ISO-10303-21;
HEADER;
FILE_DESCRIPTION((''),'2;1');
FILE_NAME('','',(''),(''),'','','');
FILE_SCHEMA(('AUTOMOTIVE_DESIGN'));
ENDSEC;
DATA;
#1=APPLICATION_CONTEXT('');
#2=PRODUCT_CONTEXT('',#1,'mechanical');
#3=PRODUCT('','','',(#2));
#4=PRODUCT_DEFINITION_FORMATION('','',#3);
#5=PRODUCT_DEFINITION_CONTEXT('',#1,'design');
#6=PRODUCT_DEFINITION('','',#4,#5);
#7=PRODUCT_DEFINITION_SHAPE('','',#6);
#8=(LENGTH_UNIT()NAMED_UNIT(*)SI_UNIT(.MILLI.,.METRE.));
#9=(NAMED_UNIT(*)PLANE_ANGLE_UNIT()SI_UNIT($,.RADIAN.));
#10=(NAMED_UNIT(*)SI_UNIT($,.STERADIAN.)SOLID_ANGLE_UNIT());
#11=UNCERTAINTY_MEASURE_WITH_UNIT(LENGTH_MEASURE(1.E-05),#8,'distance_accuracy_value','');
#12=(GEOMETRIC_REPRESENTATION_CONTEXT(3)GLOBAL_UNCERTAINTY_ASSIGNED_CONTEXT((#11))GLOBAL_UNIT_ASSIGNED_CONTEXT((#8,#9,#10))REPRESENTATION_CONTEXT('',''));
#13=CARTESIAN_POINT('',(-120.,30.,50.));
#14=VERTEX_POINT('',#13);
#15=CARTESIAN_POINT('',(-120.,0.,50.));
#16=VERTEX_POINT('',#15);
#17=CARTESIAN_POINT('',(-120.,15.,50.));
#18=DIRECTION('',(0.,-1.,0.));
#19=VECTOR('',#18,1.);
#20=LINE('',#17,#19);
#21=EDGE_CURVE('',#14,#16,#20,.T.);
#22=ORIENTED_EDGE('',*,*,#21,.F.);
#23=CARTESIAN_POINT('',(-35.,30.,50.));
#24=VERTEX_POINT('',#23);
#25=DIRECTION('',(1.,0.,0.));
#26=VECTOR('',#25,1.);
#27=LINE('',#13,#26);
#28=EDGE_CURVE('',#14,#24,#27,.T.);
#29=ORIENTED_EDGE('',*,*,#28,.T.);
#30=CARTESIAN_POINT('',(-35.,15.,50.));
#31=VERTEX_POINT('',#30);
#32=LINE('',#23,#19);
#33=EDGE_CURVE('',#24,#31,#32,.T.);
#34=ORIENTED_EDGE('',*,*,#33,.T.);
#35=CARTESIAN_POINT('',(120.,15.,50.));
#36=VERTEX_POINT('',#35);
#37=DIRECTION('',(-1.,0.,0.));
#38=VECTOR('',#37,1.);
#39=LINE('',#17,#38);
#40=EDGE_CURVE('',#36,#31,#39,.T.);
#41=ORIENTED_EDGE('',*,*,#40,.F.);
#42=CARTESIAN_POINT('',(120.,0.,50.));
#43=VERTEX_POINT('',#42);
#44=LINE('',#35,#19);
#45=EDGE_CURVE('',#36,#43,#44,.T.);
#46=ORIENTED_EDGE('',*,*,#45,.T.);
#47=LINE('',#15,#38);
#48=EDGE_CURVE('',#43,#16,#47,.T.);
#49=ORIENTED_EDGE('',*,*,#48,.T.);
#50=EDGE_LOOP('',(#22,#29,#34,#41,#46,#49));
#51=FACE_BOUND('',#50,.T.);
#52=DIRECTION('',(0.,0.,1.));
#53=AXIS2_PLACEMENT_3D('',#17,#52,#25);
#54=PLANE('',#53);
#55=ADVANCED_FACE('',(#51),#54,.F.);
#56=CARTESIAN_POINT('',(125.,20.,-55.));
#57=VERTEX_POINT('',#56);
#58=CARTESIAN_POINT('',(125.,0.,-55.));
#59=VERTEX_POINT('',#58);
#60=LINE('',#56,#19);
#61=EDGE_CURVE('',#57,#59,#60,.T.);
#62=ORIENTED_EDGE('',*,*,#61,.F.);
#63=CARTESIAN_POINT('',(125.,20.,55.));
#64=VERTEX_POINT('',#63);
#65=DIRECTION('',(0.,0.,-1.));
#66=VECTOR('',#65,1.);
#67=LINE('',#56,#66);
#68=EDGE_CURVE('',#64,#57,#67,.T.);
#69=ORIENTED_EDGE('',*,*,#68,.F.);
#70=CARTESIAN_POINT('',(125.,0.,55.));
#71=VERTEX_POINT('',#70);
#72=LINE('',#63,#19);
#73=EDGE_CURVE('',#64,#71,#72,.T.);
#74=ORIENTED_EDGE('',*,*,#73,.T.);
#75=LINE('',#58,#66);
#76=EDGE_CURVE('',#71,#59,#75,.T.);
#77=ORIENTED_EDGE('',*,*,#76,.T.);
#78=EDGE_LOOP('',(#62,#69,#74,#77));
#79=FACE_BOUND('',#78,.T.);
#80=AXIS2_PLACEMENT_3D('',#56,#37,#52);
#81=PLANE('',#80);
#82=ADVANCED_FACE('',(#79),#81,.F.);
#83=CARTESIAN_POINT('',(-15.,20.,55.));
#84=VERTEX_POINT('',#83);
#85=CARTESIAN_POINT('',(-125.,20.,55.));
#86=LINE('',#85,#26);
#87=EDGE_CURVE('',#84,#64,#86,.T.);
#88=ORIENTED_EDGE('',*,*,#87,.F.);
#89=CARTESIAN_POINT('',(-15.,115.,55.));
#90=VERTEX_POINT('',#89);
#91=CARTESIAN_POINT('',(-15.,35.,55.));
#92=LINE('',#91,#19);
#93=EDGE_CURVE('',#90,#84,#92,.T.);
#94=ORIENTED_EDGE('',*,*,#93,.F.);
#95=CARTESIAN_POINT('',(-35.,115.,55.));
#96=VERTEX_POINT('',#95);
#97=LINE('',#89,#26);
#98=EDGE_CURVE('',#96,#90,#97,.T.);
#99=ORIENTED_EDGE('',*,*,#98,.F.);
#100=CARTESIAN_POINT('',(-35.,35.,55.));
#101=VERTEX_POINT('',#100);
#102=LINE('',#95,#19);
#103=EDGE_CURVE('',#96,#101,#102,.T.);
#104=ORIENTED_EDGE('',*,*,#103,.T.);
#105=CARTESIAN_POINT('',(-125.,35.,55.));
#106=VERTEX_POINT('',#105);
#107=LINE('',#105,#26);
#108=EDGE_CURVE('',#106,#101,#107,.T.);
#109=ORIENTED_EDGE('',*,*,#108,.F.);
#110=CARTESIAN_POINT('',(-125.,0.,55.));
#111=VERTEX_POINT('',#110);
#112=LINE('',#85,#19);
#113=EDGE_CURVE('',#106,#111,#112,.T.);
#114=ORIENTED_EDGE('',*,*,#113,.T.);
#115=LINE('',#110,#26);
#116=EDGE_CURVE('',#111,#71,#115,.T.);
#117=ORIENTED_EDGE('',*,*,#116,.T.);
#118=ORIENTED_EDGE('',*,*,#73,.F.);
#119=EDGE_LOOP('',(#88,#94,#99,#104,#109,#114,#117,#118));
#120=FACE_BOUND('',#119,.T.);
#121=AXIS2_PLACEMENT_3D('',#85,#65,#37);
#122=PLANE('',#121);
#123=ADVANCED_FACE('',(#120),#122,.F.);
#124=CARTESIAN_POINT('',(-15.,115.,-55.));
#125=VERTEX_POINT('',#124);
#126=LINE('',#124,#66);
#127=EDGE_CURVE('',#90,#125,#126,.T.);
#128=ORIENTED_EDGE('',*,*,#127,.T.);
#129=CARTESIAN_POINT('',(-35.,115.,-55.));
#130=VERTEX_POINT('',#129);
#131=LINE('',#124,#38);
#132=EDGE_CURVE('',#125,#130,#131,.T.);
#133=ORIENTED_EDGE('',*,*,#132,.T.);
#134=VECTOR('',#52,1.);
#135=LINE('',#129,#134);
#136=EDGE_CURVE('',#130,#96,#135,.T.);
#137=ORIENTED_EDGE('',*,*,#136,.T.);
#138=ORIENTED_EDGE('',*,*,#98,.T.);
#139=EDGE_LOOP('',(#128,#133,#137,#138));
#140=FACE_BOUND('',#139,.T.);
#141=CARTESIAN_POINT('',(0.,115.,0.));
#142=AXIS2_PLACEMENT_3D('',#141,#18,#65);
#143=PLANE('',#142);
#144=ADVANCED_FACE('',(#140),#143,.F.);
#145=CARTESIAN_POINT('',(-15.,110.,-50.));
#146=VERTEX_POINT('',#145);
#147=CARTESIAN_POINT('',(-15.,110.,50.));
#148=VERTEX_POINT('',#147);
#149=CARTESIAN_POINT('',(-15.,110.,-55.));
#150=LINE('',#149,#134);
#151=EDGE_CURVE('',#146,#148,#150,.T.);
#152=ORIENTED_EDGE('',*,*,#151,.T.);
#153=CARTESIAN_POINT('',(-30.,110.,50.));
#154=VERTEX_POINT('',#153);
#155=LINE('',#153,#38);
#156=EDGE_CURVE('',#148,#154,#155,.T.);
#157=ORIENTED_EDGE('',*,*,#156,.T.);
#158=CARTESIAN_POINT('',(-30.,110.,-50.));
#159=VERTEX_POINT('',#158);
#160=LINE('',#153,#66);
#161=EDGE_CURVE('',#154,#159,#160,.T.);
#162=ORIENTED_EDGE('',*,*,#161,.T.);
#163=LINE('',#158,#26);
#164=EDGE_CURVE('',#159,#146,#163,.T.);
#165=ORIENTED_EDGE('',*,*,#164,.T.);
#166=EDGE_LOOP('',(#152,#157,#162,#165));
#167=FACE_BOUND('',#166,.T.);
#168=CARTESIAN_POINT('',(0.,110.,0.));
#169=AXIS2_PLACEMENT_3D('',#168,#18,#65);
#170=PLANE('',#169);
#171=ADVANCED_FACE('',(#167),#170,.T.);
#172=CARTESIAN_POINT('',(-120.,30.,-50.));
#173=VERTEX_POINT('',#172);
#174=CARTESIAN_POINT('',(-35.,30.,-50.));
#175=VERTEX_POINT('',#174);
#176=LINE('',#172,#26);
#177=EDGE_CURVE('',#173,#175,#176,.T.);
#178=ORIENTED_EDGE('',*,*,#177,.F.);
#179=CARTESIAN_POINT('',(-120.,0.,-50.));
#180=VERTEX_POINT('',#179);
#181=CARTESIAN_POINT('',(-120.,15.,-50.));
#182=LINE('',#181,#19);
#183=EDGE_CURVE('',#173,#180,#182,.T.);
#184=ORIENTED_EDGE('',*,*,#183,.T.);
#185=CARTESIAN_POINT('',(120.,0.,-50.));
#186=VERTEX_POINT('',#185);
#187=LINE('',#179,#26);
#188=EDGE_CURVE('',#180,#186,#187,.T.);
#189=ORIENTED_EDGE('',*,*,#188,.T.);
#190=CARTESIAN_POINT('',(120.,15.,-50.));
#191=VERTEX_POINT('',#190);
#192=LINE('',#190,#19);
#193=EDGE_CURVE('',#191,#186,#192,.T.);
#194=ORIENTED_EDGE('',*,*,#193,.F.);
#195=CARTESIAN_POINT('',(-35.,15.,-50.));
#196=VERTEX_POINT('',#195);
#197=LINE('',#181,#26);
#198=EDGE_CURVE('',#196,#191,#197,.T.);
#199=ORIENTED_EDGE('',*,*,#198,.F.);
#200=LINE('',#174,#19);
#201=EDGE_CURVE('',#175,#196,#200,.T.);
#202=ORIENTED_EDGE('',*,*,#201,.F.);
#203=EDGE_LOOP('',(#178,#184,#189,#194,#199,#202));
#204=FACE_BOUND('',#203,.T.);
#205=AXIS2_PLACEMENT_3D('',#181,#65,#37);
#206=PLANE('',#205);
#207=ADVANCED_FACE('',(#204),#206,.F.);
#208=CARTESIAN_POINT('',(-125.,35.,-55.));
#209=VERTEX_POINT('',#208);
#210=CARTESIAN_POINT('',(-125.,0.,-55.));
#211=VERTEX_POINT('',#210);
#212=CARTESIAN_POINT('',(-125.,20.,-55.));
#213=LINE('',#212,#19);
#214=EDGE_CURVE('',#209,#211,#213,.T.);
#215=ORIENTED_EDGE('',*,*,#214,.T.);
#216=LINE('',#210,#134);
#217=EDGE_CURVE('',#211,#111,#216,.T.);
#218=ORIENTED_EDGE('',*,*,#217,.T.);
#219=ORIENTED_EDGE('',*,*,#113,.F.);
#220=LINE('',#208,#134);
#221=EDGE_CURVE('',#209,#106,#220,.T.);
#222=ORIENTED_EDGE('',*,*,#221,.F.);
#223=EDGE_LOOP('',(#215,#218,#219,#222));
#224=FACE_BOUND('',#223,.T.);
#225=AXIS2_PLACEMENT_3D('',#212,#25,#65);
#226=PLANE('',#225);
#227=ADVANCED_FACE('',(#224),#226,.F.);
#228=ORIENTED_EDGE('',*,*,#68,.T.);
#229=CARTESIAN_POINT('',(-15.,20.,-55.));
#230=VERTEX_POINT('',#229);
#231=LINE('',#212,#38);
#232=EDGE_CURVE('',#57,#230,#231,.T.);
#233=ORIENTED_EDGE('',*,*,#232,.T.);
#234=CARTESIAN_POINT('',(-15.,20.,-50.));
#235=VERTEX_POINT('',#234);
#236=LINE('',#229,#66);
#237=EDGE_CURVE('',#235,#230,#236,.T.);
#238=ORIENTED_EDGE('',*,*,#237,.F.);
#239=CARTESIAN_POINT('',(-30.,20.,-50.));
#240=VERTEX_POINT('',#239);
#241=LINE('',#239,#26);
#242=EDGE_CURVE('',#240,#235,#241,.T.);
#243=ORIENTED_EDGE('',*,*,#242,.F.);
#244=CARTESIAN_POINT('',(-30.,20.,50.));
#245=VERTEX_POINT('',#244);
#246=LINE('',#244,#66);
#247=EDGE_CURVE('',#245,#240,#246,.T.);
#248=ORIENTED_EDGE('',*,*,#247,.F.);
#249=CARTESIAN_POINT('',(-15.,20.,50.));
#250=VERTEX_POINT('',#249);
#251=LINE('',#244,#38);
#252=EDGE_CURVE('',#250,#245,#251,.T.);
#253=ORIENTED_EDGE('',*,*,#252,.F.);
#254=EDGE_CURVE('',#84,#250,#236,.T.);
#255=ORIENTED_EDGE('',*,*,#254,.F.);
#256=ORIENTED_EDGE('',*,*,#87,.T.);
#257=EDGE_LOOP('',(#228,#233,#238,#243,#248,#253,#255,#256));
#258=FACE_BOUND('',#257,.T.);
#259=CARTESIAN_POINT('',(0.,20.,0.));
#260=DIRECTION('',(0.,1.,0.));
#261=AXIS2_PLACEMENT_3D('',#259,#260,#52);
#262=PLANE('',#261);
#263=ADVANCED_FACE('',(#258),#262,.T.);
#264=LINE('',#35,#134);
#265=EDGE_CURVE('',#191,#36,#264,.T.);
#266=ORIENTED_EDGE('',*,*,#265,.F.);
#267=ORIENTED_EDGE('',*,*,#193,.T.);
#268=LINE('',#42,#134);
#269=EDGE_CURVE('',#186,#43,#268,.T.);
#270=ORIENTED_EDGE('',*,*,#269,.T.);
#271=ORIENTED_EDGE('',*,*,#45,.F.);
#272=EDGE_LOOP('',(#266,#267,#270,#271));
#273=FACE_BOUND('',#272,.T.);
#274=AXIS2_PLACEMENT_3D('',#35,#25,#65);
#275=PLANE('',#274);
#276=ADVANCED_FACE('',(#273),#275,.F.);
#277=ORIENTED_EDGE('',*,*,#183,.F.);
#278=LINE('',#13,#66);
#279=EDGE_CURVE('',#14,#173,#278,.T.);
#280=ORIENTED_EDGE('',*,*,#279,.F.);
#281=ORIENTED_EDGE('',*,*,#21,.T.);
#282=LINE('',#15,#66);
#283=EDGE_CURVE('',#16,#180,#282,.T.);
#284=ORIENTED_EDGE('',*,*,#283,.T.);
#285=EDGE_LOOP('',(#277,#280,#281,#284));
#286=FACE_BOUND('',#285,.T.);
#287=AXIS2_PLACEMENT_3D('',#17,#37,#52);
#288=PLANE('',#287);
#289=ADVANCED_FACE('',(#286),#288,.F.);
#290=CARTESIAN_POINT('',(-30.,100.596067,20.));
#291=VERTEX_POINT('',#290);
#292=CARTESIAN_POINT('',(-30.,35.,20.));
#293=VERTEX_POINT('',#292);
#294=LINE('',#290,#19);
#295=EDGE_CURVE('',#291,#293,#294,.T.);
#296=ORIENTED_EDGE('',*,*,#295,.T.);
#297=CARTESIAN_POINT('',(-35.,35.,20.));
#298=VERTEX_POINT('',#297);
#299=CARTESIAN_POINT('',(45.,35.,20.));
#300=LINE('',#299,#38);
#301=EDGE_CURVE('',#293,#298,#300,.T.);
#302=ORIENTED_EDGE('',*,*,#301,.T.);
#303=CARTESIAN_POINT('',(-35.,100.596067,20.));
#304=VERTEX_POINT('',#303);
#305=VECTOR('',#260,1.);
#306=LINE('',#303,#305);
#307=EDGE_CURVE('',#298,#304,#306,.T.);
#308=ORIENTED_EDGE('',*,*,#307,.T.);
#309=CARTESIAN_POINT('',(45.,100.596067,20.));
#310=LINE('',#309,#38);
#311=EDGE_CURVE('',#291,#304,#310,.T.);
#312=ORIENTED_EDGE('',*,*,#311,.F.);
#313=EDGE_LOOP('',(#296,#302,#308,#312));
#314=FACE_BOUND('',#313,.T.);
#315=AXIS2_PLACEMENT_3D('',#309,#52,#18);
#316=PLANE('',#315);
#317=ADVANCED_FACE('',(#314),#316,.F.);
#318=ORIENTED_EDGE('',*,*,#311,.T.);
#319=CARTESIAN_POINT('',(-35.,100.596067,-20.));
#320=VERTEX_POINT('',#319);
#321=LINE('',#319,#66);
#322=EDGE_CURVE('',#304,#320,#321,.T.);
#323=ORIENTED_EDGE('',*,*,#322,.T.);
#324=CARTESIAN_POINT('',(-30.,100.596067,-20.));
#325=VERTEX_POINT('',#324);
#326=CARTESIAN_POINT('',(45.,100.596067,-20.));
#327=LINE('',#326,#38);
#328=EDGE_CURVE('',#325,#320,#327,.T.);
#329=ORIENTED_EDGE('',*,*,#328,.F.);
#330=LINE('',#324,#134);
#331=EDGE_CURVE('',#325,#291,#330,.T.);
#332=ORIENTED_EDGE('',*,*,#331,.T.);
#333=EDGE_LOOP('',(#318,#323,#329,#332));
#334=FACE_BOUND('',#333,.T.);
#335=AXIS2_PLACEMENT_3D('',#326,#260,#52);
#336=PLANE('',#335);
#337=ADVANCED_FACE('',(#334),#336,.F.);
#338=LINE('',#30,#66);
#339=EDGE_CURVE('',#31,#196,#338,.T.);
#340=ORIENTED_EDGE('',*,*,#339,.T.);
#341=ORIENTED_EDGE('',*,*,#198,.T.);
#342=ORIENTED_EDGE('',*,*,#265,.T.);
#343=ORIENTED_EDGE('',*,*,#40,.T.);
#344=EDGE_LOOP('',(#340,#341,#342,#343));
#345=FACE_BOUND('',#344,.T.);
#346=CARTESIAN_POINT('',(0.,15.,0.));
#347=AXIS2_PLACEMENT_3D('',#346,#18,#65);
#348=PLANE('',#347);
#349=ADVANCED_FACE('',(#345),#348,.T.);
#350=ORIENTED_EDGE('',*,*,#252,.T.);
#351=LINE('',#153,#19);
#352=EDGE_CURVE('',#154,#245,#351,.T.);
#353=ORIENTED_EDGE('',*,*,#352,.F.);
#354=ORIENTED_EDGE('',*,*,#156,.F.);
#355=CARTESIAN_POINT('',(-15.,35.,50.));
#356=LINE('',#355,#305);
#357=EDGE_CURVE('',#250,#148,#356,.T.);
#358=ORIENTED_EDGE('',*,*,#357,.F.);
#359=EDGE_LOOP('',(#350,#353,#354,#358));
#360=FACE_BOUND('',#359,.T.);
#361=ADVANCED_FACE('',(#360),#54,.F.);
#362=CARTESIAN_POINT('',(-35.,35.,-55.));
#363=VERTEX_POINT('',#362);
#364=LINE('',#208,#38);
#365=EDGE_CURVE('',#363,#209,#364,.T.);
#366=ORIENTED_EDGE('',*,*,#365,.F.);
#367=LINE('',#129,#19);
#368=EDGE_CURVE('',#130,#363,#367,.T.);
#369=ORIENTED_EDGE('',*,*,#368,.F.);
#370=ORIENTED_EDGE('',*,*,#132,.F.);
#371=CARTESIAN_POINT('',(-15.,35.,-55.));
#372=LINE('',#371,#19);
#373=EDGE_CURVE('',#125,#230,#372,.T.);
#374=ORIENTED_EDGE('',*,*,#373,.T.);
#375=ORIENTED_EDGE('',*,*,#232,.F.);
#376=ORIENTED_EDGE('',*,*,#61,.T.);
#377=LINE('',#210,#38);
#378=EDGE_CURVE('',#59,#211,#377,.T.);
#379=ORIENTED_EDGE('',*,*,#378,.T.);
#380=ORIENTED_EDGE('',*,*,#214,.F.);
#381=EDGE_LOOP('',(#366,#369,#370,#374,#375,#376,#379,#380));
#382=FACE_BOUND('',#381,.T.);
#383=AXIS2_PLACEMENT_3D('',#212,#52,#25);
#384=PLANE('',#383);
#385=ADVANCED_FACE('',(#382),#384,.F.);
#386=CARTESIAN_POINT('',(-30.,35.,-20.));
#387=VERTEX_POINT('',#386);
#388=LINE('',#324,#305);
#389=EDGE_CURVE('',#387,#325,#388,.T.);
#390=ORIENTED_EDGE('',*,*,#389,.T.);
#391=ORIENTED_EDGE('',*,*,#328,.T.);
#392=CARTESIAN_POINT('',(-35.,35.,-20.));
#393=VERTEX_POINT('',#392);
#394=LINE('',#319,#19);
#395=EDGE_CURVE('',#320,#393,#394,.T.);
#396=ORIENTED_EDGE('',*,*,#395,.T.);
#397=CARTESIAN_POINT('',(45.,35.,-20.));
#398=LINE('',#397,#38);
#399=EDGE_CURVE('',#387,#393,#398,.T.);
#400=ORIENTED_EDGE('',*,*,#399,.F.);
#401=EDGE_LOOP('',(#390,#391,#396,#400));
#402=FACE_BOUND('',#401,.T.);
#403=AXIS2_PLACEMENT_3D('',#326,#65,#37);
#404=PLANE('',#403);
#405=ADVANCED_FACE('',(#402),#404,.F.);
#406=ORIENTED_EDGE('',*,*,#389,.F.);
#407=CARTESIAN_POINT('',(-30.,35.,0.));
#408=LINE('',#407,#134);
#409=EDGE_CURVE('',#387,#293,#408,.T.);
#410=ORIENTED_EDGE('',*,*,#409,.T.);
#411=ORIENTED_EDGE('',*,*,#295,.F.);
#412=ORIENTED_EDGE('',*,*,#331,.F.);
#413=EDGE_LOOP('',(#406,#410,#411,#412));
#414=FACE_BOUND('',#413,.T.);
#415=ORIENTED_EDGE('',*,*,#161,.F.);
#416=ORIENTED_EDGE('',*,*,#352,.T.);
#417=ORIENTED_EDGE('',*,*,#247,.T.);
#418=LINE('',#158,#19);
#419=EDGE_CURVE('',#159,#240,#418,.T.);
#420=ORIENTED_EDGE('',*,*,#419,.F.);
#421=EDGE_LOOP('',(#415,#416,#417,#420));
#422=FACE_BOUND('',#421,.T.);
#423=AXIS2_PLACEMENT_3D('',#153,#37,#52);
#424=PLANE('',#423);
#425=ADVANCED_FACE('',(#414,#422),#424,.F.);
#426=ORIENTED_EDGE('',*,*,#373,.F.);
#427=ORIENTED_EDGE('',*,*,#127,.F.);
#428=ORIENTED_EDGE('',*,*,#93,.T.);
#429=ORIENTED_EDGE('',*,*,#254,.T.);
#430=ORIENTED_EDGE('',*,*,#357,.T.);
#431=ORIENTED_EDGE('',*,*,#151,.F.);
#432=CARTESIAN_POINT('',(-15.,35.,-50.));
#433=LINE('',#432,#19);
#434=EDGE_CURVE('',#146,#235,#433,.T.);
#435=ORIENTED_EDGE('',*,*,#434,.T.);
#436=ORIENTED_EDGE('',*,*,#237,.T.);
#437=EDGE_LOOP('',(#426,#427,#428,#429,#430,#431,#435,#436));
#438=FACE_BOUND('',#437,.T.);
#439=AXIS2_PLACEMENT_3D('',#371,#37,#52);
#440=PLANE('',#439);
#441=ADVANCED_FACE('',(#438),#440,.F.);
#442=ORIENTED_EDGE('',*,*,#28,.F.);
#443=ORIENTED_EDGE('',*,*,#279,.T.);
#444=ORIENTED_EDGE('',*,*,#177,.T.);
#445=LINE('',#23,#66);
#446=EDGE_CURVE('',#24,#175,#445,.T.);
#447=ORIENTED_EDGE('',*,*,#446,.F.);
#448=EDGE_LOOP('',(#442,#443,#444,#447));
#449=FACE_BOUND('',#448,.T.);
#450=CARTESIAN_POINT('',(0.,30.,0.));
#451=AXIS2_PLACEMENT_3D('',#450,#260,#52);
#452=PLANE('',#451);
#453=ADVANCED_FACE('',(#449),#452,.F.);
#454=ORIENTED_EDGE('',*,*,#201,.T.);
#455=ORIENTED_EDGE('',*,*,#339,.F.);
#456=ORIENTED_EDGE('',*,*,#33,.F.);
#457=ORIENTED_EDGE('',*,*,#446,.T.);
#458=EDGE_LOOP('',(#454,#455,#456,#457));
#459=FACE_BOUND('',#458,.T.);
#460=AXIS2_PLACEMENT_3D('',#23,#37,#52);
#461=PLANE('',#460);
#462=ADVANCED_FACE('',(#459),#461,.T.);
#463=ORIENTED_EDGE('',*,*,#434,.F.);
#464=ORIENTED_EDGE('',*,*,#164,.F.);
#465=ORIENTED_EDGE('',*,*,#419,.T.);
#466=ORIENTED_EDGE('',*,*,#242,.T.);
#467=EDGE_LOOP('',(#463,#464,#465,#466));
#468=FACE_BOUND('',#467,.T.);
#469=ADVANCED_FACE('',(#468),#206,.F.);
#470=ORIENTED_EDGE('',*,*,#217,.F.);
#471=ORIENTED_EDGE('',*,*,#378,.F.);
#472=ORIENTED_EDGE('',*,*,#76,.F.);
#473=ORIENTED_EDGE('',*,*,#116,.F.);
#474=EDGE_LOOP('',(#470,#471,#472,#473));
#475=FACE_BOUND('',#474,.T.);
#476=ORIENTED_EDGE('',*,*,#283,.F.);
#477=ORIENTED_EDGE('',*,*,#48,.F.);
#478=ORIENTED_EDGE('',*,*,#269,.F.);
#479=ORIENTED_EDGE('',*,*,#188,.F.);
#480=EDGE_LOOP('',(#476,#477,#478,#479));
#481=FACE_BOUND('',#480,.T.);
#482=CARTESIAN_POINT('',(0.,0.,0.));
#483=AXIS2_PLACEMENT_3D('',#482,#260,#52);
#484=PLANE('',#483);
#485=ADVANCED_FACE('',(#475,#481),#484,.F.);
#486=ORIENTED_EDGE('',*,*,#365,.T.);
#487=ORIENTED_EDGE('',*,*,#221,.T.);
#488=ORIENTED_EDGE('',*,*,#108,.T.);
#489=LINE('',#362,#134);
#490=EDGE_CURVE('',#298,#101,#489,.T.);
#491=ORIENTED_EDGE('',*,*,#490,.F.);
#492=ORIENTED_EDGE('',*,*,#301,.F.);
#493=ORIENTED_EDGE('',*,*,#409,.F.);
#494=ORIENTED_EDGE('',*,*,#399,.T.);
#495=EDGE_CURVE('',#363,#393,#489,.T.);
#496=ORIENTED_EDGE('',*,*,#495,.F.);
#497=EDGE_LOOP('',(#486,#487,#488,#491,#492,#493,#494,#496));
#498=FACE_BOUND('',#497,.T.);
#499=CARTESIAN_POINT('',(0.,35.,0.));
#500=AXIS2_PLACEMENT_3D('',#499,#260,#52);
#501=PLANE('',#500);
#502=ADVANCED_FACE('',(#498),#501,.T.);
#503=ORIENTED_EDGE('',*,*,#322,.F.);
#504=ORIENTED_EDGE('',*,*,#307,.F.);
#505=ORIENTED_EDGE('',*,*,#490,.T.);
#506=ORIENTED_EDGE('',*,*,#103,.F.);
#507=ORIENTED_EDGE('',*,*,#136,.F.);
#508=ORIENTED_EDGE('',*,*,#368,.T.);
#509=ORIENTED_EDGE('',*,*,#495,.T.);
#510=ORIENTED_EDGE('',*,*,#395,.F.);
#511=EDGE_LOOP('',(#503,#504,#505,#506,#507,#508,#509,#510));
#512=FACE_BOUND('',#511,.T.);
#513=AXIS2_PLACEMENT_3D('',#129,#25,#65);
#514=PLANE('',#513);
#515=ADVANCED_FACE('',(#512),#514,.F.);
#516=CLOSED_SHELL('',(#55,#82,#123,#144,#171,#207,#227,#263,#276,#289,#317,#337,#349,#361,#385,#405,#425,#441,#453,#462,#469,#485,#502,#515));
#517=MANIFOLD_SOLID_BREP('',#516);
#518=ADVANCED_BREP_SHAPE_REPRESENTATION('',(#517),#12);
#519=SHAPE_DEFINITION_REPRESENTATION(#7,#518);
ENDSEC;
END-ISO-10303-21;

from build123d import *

# Parameters (mm, degrees)
SKETCH1_W           = 250
SKETCH1_H           = 110
BOSS_EXTRUDE1_DEPTH = 20
SKETCH2_W           = 110
SKETCH2_H           = 110
BOSS_EXTRUDE2_DEPTH = 15
SKETCH3_W           = 20
SKETCH3_H           = 110
BOSS_EXTRUDE3_DEPTH = 80
SKETCH4_W           = 40
SKETCH4_H           = 65.596067404
CUT_EXTRUDE1_DEPTH  = 80
SKETCH6_W           = 240
SKETCH6_H           = 100
CUT_EXTRUDE2_DEPTH  = 15
SKETCH7_W           = 85
SKETCH7_H           = 100
CUT_EXTRUDE3_DEPTH  = 15
SKETCH9_W           = 17.224689948
SKETCH9_H           = 100
CUT_EXTRUDE4_DEPTH  = 95
SKETCH10_W          = 17.224689948
SKETCH10_H          = 100
BOSS_EXTRUDE4_DEPTH = 5


with BuildPart() as part:
    # Sketch1 → Boss-Extrude1 (new body)
    with BuildSketch(Plane(origin=(0, 0, 0), x_dir=(1, 0, 0), z_dir=(0, 1, 0))):
        Rectangle(SKETCH1_W, SKETCH1_H)
    extrude(amount=BOSS_EXTRUDE1_DEPTH)

    # Sketch2 → Boss-Extrude2 (add)
    with BuildSketch(Plane(origin=(0, 20, 0), x_dir=(1, 0, 0), z_dir=(0, 1, 0))):
        with Locations((-70, 0)):
            Rectangle(SKETCH2_W, SKETCH2_H)
    extrude(amount=BOSS_EXTRUDE2_DEPTH)

    # Sketch3 → Boss-Extrude3 (add)
    with BuildSketch(Plane(origin=(0, 35, 0), x_dir=(1, 0, 0), z_dir=(0, 1, 0))):
        with Locations((-25, 0)):
            Rectangle(SKETCH3_W, SKETCH3_H)
    extrude(amount=BOSS_EXTRUDE3_DEPTH)

    # Sketch4 → Cut-Extrude1 (cut)
    with BuildSketch(Plane.ZY.offset(35)):
        with Locations((0, 67.798033702)):
            Rectangle(SKETCH4_W, SKETCH4_H)
    extrude(amount=-CUT_EXTRUDE1_DEPTH, mode=Mode.SUBTRACT)

    # Sketch6 → Cut-Extrude2 (cut)
    with BuildSketch(Plane.XZ):
        Rectangle(SKETCH6_W, SKETCH6_H)
    extrude(amount=-CUT_EXTRUDE2_DEPTH, mode=Mode.SUBTRACT)

    # Sketch7 → Cut-Extrude3 (cut)
    with BuildSketch(Plane(origin=(0, 15, 0), x_dir=(-1, 0, 0), z_dir=(0, -1, 0))):
        with Locations((77.5, 0)):
            Rectangle(SKETCH7_W, SKETCH7_H)
    extrude(amount=-CUT_EXTRUDE3_DEPTH, mode=Mode.SUBTRACT)

    # Sketch9 → Cut-Extrude4 (cut)
    with BuildSketch(Plane.XZ.offset(-15)):
        with Locations((-21.387655026, 0)):
            Rectangle(SKETCH9_W, SKETCH9_H)
    extrude(amount=-CUT_EXTRUDE4_DEPTH, mode=Mode.SUBTRACT)

    # Sketch10 → Boss-Extrude4 (add)
    with BuildSketch(Plane(origin=(0, 15, 0), x_dir=(-1, 0, 0), z_dir=(0, -1, 0))):
        with Locations((21.387655026, 0)):
            Rectangle(SKETCH10_W, SKETCH10_H)
    extrude(amount=-BOSS_EXTRUDE4_DEPTH)


solid = part.part
